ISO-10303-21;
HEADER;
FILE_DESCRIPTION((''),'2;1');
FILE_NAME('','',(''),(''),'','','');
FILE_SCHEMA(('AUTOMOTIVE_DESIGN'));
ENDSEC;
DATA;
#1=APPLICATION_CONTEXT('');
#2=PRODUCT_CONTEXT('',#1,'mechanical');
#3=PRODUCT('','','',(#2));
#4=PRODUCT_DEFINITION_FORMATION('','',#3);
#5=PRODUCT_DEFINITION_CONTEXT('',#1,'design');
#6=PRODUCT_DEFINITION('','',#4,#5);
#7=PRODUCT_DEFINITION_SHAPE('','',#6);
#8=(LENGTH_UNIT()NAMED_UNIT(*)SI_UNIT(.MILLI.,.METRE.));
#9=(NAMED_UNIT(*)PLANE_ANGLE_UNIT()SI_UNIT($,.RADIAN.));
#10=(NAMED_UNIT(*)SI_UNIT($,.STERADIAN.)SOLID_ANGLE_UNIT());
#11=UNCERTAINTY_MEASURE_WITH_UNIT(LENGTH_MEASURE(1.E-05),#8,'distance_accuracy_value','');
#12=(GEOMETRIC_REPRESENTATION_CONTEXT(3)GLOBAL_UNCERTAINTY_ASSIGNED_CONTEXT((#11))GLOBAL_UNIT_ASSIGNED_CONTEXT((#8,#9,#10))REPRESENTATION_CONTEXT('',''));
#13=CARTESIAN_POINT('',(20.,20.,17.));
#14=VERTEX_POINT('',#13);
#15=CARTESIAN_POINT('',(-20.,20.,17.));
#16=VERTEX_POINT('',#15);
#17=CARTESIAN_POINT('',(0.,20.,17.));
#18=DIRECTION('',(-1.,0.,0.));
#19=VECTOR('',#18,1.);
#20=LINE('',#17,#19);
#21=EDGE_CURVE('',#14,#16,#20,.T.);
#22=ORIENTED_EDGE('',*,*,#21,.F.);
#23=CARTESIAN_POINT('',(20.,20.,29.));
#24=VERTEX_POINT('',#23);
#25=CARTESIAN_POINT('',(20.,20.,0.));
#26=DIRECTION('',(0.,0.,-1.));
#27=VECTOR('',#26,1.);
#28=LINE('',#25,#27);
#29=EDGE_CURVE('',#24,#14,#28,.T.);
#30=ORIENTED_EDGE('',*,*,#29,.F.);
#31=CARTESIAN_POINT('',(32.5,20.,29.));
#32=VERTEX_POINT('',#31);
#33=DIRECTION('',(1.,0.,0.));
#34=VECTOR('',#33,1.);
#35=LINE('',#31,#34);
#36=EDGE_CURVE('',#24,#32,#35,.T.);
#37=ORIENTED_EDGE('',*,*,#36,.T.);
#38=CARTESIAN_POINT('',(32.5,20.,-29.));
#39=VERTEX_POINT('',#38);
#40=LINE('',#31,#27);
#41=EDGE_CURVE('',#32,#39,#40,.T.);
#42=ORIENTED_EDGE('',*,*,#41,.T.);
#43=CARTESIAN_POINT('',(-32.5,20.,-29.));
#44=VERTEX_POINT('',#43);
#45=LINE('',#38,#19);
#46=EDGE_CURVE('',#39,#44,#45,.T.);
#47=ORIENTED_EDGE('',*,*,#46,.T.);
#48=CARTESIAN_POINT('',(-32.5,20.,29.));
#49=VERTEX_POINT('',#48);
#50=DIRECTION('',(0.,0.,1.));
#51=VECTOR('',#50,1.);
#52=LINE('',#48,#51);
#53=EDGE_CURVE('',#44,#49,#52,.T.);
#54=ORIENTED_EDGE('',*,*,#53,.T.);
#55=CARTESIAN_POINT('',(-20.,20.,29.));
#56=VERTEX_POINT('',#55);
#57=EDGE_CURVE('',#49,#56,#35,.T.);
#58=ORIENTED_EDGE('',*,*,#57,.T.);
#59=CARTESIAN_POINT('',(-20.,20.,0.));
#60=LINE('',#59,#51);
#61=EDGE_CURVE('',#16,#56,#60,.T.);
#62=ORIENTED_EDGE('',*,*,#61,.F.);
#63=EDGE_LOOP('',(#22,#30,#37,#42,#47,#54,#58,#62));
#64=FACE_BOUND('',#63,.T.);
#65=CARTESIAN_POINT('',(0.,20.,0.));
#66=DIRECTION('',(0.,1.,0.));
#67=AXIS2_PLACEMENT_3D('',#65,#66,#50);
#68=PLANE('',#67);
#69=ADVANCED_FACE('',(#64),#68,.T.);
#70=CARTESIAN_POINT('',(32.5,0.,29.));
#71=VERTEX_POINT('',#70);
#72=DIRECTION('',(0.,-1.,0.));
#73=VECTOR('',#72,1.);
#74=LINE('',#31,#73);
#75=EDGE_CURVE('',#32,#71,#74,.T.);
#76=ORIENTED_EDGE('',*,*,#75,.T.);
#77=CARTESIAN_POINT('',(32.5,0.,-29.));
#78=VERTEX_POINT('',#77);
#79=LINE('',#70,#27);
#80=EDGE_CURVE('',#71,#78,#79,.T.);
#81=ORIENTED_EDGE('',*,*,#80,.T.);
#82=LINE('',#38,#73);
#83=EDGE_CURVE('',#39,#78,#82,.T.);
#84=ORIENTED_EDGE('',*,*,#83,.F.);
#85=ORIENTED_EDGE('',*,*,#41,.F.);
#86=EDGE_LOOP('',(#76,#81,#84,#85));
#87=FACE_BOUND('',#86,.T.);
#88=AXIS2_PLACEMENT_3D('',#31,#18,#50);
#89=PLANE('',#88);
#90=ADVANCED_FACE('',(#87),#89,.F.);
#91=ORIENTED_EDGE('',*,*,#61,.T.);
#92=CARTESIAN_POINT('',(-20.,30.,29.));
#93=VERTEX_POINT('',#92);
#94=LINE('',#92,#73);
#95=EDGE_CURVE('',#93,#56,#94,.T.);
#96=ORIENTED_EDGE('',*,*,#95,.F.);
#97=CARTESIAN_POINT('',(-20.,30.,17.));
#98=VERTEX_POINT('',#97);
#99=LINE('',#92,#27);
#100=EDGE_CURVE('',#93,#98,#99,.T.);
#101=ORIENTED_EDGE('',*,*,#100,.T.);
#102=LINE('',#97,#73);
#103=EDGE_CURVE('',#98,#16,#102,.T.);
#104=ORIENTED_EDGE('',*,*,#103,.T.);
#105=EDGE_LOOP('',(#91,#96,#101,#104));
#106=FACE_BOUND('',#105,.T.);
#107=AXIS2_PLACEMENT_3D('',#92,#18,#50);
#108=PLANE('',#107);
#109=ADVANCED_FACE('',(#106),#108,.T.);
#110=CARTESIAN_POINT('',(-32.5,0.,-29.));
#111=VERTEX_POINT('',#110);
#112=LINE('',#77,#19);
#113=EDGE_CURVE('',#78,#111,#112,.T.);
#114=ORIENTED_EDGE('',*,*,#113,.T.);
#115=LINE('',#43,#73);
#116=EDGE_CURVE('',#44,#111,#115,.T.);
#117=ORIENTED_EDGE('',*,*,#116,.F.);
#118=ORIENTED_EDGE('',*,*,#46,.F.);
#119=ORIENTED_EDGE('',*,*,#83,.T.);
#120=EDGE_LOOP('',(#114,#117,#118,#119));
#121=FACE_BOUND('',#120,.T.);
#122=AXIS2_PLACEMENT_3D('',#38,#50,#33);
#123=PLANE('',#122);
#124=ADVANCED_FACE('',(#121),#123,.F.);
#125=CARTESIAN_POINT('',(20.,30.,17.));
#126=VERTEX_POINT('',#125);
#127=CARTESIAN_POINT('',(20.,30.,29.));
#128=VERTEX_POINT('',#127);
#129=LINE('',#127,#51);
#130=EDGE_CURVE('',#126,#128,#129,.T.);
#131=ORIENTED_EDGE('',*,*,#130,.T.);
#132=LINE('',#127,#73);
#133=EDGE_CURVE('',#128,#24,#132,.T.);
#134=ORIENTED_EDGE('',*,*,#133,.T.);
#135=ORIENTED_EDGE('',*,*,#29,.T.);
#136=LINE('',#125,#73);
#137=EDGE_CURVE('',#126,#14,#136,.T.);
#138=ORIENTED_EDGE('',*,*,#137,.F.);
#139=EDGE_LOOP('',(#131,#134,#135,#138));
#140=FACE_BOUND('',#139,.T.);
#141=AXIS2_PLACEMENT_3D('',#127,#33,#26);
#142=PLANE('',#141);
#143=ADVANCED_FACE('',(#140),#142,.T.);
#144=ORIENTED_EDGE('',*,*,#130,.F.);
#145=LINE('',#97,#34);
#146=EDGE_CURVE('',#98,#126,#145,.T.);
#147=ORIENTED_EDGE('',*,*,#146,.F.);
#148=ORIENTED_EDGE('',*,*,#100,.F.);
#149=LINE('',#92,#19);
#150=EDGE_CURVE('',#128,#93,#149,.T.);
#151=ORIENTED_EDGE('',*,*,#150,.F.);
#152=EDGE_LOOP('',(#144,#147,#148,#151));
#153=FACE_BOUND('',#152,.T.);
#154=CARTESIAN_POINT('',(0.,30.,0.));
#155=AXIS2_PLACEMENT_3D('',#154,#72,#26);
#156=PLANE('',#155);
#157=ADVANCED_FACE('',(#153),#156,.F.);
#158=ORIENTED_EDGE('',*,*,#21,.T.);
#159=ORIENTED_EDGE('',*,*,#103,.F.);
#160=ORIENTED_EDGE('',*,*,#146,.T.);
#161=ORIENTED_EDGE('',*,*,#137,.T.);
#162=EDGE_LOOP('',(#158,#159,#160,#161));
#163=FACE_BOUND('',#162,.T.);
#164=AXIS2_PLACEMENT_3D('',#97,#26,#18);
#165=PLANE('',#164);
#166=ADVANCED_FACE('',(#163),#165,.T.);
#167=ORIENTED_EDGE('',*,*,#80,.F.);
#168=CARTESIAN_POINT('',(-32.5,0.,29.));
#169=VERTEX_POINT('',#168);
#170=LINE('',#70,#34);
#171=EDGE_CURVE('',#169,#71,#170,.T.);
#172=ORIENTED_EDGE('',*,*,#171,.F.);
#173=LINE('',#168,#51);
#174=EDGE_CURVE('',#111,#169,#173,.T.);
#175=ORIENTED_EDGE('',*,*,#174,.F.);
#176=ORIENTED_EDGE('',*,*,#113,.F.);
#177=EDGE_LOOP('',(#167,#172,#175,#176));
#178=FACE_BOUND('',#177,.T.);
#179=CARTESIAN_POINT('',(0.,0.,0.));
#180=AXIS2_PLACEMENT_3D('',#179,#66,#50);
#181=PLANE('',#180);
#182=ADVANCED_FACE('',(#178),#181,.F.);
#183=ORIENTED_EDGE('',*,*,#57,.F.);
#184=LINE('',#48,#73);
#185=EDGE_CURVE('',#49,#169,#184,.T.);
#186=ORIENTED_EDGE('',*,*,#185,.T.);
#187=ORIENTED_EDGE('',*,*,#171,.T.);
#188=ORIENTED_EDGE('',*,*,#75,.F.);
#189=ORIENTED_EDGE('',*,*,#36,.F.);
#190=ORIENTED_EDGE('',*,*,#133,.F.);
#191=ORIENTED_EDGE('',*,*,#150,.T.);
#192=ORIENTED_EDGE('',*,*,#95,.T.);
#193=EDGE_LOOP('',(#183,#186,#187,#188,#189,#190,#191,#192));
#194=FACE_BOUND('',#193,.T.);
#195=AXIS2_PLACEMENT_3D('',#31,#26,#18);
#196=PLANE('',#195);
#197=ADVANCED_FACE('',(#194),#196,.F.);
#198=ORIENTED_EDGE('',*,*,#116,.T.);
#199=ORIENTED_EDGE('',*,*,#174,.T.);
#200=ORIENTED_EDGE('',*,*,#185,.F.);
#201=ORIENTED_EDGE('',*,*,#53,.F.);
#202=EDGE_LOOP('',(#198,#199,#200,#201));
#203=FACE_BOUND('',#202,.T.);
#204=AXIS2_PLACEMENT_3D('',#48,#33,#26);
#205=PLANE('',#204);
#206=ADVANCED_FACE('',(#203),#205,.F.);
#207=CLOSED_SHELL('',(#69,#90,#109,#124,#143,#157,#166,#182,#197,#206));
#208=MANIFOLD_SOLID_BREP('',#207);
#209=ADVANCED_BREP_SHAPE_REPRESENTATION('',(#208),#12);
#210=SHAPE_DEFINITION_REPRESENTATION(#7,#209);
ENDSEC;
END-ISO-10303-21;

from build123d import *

# Parameters (mm, degrees)
SKETCH1_W           = 65
SKETCH1_H           = 58
BOSS_EXTRUDE1_DEPTH = 20
SKETCH2_W           = 40
SKETCH2_H           = 12
BOSS_EXTRUDE2_DEPTH = 30


with BuildPart() as part:
    # Sketch1 → Boss-Extrude1 (new body)
    with BuildSketch(Plane(origin=(0, 0, 0), x_dir=(1, 0, 0), z_dir=(0, 1, 0))):
        Rectangle(SKETCH1_W, SKETCH1_H)
    extrude(amount=BOSS_EXTRUDE1_DEPTH)

    # Sketch2 → Boss-Extrude2 (add)
    with BuildSketch(Plane.XZ):
        with Locations((0, 23)):
            Rectangle(SKETCH2_W, SKETCH2_H)
    extrude(amount=-BOSS_EXTRUDE2_DEPTH)


solid = part.part
